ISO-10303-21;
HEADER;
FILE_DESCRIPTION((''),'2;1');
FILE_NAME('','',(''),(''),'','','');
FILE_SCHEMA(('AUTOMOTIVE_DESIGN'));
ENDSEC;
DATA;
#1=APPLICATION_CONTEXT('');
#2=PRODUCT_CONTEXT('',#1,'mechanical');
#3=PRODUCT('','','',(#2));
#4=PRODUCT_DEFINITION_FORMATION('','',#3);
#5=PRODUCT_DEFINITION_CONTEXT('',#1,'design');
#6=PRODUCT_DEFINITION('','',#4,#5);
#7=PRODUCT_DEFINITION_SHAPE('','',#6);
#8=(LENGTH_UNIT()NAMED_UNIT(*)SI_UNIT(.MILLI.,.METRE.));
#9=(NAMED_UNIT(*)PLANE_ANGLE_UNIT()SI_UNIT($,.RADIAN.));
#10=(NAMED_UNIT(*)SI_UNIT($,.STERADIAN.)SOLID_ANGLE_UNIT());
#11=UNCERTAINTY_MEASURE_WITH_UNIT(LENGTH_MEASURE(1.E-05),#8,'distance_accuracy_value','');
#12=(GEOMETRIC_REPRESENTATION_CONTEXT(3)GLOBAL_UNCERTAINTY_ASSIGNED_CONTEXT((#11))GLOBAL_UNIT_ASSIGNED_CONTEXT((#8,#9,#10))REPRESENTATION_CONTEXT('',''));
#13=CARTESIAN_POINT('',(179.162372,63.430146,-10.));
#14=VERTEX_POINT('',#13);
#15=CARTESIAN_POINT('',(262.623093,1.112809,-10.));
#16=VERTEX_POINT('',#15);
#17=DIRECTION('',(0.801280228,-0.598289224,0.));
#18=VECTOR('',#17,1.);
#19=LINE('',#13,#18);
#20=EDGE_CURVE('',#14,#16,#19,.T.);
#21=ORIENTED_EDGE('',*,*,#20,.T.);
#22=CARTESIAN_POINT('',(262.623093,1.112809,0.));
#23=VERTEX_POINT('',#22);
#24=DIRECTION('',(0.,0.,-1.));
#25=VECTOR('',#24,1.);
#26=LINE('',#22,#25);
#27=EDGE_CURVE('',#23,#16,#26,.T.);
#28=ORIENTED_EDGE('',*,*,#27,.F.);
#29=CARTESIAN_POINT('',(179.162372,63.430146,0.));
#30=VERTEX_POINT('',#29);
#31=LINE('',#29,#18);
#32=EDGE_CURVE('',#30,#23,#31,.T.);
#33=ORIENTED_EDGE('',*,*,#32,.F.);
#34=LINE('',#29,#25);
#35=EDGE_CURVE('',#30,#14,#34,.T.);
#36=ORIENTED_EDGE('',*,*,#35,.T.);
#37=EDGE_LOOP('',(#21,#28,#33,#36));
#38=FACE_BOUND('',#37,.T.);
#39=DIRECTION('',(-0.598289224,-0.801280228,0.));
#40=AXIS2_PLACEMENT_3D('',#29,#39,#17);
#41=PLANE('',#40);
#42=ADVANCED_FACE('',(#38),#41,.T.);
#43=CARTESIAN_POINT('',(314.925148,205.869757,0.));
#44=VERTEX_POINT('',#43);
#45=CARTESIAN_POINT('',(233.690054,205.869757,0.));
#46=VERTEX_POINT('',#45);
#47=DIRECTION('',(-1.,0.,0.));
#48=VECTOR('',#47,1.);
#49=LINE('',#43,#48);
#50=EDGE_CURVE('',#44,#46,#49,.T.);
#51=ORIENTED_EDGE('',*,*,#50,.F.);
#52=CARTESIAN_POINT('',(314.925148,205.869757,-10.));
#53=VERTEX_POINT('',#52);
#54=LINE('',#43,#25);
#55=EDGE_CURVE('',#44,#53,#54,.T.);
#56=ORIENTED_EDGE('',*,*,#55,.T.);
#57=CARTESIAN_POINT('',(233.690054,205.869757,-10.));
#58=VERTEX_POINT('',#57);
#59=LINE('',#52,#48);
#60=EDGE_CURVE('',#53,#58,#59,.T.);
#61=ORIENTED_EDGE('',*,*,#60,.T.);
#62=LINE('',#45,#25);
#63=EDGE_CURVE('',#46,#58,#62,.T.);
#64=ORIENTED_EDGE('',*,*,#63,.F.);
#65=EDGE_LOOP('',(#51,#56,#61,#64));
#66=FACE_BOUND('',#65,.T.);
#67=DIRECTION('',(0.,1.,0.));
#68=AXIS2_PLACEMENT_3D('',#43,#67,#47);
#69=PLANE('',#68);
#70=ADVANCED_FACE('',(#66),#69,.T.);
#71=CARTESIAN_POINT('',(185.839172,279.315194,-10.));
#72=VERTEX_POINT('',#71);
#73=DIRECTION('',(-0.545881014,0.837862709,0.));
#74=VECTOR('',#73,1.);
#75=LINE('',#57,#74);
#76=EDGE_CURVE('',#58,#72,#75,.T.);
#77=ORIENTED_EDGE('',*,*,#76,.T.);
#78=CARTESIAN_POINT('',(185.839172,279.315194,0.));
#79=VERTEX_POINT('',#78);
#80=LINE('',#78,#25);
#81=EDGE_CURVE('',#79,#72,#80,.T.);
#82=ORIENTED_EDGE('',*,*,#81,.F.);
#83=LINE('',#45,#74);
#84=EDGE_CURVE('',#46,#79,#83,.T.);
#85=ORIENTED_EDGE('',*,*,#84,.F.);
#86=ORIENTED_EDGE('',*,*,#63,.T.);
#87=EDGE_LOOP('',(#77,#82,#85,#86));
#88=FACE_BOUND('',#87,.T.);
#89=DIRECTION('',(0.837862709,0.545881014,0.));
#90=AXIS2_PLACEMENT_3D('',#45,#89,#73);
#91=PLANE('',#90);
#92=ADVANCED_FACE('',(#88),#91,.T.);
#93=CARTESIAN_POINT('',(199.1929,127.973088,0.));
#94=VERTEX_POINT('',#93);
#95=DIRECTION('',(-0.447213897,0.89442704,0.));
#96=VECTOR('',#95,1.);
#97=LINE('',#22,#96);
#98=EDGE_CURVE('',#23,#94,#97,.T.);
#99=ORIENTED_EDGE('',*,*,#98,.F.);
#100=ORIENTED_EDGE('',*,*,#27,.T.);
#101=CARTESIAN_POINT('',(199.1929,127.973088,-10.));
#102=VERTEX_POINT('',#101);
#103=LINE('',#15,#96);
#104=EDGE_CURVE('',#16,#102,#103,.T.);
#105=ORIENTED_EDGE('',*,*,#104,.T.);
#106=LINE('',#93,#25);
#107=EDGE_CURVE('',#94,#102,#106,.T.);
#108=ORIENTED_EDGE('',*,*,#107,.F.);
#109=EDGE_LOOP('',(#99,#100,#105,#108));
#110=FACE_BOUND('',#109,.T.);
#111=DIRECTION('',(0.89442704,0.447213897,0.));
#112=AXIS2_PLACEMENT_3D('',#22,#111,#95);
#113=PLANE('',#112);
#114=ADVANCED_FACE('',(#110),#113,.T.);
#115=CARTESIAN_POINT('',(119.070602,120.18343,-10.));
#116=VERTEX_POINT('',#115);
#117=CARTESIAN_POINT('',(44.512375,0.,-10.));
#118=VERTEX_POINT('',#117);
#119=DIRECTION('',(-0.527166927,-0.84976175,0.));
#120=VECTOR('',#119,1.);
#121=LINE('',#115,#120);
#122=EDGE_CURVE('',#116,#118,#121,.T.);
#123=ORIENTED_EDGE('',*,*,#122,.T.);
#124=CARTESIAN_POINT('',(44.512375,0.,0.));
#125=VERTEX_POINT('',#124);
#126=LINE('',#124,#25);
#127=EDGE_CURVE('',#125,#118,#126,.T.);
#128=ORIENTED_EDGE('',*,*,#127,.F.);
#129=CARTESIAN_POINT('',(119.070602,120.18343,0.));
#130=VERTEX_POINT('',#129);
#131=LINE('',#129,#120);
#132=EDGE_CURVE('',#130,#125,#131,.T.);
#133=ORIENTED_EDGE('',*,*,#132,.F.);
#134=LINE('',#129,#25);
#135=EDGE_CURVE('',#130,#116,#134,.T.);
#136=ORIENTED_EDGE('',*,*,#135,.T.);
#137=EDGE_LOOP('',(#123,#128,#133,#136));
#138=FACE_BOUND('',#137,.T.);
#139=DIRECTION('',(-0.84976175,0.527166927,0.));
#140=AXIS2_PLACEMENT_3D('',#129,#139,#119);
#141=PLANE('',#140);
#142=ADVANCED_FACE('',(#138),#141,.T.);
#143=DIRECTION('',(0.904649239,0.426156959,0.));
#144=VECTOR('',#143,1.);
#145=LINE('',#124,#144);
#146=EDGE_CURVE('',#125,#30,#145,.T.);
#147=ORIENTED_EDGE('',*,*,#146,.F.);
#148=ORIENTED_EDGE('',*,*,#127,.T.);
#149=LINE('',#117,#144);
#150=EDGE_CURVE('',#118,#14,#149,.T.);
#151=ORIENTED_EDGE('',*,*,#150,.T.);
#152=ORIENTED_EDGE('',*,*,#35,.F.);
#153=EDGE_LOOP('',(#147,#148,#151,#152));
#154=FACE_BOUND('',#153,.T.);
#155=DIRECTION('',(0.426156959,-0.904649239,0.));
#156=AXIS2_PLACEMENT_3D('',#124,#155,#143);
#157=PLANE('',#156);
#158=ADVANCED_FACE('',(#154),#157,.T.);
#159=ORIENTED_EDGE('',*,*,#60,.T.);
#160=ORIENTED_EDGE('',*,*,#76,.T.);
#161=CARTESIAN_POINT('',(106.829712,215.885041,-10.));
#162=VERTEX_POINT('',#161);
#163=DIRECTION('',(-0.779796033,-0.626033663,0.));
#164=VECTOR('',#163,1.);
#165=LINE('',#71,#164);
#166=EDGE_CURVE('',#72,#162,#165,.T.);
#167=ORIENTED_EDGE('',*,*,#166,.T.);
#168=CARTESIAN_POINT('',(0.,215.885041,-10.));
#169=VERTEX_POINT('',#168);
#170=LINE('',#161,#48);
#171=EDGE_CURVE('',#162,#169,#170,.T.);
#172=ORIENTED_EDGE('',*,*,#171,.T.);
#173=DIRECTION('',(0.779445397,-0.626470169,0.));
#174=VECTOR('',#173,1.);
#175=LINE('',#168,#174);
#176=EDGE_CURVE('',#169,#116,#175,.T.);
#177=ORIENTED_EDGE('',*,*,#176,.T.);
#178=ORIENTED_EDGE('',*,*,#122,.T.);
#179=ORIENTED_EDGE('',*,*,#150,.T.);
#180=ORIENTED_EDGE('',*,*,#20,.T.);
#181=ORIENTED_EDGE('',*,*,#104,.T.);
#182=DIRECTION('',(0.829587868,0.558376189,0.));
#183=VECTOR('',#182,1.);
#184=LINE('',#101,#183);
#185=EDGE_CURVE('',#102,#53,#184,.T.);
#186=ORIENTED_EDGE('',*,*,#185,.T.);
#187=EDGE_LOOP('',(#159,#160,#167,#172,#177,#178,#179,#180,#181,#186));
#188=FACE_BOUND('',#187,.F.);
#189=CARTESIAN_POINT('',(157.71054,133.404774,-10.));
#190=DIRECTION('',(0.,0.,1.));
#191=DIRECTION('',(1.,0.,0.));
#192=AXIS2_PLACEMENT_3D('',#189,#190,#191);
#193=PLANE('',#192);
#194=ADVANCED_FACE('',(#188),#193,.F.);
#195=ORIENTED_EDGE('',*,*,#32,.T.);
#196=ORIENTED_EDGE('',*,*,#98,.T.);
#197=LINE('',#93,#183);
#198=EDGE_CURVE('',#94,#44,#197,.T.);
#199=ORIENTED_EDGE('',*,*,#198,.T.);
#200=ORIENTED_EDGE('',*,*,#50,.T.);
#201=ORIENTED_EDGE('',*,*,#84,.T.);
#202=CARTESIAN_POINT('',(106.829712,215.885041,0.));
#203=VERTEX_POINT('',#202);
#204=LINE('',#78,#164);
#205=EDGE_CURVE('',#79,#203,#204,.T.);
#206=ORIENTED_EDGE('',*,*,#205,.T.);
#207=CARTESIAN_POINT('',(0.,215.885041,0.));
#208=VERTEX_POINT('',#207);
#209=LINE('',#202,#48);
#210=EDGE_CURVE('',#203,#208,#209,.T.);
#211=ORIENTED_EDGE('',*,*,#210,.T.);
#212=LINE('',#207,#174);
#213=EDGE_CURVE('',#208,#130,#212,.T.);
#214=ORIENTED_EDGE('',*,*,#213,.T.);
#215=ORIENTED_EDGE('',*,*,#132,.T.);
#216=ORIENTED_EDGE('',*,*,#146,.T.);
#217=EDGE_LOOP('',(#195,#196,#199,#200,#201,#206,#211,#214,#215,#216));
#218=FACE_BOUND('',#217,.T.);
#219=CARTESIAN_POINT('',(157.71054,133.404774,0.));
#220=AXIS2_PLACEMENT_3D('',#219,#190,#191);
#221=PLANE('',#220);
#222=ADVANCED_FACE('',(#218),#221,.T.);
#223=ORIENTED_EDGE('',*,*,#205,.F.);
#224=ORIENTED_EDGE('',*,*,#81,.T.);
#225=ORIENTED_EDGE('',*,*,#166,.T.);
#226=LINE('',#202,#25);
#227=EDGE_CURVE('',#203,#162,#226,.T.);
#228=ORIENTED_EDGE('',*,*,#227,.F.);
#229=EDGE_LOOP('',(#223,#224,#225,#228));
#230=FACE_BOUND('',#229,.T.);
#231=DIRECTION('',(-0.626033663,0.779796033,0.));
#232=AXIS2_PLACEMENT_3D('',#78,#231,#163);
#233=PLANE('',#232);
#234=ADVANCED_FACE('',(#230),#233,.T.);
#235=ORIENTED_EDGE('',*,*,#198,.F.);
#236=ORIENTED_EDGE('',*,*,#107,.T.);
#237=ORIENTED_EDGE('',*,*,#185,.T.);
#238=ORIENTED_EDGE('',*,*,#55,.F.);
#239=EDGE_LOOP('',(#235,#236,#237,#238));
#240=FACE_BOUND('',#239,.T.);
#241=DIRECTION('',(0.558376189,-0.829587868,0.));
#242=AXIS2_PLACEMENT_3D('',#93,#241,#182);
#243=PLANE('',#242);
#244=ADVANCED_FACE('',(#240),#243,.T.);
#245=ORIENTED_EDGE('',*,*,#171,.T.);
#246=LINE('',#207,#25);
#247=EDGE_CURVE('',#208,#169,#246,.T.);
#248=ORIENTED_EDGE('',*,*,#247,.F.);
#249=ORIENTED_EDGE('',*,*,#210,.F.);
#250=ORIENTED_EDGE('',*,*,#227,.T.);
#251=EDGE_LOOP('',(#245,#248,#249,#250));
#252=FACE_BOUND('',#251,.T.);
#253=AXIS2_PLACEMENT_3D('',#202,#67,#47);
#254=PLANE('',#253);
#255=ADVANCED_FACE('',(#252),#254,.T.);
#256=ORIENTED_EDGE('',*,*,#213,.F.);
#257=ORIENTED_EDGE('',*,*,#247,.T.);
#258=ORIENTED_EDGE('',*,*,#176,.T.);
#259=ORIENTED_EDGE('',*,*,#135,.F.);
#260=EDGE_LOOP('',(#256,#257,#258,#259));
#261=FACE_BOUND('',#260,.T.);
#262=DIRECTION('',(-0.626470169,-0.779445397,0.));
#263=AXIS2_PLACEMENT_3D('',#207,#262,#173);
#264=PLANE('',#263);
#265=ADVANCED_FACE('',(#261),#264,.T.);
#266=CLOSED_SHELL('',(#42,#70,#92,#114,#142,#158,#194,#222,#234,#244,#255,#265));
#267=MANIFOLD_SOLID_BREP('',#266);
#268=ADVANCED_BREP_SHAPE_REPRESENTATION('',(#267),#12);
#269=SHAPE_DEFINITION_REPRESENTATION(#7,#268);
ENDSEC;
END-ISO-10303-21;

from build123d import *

# Parameters (mm, degrees)
PAD_DEPTH = 10


with BuildPart() as part:
    # Sketch → Pad (new body)
    with BuildSketch(Plane.XY):
        Polygon((-38.693619, 95.521584), (-117.703079, 32.091431), (-224.532791, 32.091431), (-105.462189, -63.61018), (-180.020416, -183.79361), (-45.370419, -120.363464), (38.090302, -182.680801), (-25.339891, -55.820522), (90.392357, 22.076147), (9.157263, 22.076147), align=None)
    extrude(amount=-PAD_DEPTH)


with BuildPart() as part_1:
    # Body placement: moved
    add(part.part.moved(Location((224.532791, 183.79361, 0))))


solid = part_1.part
